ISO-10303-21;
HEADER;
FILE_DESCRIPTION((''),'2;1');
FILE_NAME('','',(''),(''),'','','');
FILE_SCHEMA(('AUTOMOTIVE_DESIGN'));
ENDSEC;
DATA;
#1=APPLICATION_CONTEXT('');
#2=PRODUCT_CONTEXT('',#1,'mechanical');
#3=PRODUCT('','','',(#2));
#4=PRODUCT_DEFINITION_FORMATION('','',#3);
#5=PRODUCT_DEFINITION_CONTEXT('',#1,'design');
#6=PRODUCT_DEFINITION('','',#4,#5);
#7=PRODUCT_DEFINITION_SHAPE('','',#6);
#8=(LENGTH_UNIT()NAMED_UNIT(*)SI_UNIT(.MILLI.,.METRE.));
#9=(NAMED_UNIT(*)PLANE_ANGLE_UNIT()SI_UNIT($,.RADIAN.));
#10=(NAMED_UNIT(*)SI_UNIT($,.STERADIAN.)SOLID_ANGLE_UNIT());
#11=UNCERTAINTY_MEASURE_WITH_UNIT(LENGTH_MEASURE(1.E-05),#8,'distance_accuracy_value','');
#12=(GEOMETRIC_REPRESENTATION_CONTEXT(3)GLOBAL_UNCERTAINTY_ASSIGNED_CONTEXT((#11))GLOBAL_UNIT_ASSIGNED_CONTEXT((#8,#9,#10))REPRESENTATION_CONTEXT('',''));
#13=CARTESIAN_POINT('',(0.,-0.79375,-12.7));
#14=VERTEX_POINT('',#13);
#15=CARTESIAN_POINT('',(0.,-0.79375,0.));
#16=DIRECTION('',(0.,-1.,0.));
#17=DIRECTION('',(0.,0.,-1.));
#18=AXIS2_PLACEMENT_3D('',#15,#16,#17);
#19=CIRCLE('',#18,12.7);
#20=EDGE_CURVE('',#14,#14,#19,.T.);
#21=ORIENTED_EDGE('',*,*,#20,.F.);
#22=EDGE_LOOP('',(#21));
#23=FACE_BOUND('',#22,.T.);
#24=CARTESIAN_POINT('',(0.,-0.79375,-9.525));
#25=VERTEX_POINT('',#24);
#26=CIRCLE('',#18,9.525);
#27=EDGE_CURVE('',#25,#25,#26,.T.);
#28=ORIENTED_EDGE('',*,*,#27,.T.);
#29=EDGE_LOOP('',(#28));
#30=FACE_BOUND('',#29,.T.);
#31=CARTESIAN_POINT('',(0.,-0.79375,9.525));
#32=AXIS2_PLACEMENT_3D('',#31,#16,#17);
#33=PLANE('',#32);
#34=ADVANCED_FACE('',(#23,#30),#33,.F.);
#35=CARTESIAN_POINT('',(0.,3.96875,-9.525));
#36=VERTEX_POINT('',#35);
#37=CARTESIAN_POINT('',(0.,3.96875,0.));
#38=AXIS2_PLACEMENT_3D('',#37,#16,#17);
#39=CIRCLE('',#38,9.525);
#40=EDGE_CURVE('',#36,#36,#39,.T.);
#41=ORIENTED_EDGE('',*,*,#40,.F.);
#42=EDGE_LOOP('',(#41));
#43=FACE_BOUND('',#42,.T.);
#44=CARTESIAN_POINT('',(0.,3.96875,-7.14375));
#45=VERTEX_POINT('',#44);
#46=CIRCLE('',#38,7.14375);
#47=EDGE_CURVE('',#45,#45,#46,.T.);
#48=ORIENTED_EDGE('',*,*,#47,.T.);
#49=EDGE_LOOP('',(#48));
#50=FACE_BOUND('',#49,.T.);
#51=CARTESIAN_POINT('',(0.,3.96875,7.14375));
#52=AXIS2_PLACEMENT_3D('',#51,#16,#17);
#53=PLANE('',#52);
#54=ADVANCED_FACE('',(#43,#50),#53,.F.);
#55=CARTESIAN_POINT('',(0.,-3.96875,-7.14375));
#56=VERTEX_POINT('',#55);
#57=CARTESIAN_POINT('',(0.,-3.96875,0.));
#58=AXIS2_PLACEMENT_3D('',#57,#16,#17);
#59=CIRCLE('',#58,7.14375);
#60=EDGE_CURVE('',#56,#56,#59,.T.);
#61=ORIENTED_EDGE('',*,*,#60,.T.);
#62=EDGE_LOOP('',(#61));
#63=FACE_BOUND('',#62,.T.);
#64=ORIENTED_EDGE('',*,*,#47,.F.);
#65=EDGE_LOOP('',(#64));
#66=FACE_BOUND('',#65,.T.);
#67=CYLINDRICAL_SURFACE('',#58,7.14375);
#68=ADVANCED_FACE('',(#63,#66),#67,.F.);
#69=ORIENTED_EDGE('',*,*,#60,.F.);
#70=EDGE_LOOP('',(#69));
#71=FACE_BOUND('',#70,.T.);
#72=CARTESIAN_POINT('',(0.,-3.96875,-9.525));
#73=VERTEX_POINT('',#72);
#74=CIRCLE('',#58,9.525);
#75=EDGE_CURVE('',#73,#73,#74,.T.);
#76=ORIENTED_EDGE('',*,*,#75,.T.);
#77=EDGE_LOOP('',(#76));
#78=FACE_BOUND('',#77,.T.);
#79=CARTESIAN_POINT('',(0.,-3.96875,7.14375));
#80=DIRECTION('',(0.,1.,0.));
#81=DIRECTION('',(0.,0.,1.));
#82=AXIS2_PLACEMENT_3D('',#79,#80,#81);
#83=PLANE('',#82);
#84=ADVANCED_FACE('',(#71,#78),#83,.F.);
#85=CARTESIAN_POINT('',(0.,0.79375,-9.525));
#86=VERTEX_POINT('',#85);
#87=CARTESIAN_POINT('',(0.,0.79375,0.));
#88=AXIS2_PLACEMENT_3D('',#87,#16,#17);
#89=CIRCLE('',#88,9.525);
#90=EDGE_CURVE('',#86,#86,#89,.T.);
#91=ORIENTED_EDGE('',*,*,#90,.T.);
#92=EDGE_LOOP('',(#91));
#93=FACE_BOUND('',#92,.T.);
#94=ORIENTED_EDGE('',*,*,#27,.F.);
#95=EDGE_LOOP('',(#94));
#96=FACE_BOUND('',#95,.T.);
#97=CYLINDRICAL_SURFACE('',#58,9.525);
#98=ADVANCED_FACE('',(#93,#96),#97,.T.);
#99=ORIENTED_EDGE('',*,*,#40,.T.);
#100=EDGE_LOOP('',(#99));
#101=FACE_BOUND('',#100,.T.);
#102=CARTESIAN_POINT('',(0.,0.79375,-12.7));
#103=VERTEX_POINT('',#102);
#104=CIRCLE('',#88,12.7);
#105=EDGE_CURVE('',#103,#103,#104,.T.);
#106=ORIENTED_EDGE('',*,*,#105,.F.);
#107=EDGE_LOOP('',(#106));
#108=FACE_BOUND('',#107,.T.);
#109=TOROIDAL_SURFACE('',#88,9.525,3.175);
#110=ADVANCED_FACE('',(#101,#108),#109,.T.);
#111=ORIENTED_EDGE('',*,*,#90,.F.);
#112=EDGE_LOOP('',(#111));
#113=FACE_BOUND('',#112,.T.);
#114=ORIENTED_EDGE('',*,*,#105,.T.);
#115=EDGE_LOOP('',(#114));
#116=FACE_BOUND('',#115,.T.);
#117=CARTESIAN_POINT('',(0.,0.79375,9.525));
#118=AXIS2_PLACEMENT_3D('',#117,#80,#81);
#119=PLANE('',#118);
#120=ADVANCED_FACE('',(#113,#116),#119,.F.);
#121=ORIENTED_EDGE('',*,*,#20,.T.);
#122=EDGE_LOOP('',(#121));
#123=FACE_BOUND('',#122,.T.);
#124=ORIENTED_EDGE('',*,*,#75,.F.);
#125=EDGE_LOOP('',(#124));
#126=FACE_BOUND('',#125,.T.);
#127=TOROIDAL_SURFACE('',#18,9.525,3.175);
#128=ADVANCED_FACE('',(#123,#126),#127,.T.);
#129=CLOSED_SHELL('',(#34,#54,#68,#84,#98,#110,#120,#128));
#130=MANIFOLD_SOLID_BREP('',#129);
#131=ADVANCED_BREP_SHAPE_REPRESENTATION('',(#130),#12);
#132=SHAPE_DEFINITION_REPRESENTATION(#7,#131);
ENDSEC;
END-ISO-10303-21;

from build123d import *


with BuildPart() as part:
    # Sketch2 → Revolve1 (revolve)
    with BuildSketch(Plane(origin=(0, 0, 0), x_dir=(0, 0, -1), z_dir=(1, 0, 0)), mode=Mode.PRIVATE) as revolve1_sk:
        with BuildLine():
            Line((-7.14375, -3.96875), (-7.14375, 3.96875))
            Line((-7.14375, 3.96875), (-9.525, 3.96875))
            ThreePointArc((-9.525, 3.96875), (-11.77006403, 3.03881403), (-12.7, 0.79375))
            Line((-12.7, 0.79375), (-9.525, 0.79375))
            Line((-9.525, 0.79375), (-9.525, -0.79375))
            Line((-9.525, -0.79375), (-12.7, -0.79375))
            ThreePointArc((-12.7, -0.79375), (-11.77006403, -3.03881403), (-9.525, -3.96875))
            Line((-9.525, -3.96875), (-7.14375, -3.96875))
        make_face()
    revolve(revolve1_sk.sketch.rotate(Axis((0, -3.96875, 0), (0, 1, 0)), 180), axis=Axis((0, -3.96875, 0), (0, 1, 0)))


solid = part.part
